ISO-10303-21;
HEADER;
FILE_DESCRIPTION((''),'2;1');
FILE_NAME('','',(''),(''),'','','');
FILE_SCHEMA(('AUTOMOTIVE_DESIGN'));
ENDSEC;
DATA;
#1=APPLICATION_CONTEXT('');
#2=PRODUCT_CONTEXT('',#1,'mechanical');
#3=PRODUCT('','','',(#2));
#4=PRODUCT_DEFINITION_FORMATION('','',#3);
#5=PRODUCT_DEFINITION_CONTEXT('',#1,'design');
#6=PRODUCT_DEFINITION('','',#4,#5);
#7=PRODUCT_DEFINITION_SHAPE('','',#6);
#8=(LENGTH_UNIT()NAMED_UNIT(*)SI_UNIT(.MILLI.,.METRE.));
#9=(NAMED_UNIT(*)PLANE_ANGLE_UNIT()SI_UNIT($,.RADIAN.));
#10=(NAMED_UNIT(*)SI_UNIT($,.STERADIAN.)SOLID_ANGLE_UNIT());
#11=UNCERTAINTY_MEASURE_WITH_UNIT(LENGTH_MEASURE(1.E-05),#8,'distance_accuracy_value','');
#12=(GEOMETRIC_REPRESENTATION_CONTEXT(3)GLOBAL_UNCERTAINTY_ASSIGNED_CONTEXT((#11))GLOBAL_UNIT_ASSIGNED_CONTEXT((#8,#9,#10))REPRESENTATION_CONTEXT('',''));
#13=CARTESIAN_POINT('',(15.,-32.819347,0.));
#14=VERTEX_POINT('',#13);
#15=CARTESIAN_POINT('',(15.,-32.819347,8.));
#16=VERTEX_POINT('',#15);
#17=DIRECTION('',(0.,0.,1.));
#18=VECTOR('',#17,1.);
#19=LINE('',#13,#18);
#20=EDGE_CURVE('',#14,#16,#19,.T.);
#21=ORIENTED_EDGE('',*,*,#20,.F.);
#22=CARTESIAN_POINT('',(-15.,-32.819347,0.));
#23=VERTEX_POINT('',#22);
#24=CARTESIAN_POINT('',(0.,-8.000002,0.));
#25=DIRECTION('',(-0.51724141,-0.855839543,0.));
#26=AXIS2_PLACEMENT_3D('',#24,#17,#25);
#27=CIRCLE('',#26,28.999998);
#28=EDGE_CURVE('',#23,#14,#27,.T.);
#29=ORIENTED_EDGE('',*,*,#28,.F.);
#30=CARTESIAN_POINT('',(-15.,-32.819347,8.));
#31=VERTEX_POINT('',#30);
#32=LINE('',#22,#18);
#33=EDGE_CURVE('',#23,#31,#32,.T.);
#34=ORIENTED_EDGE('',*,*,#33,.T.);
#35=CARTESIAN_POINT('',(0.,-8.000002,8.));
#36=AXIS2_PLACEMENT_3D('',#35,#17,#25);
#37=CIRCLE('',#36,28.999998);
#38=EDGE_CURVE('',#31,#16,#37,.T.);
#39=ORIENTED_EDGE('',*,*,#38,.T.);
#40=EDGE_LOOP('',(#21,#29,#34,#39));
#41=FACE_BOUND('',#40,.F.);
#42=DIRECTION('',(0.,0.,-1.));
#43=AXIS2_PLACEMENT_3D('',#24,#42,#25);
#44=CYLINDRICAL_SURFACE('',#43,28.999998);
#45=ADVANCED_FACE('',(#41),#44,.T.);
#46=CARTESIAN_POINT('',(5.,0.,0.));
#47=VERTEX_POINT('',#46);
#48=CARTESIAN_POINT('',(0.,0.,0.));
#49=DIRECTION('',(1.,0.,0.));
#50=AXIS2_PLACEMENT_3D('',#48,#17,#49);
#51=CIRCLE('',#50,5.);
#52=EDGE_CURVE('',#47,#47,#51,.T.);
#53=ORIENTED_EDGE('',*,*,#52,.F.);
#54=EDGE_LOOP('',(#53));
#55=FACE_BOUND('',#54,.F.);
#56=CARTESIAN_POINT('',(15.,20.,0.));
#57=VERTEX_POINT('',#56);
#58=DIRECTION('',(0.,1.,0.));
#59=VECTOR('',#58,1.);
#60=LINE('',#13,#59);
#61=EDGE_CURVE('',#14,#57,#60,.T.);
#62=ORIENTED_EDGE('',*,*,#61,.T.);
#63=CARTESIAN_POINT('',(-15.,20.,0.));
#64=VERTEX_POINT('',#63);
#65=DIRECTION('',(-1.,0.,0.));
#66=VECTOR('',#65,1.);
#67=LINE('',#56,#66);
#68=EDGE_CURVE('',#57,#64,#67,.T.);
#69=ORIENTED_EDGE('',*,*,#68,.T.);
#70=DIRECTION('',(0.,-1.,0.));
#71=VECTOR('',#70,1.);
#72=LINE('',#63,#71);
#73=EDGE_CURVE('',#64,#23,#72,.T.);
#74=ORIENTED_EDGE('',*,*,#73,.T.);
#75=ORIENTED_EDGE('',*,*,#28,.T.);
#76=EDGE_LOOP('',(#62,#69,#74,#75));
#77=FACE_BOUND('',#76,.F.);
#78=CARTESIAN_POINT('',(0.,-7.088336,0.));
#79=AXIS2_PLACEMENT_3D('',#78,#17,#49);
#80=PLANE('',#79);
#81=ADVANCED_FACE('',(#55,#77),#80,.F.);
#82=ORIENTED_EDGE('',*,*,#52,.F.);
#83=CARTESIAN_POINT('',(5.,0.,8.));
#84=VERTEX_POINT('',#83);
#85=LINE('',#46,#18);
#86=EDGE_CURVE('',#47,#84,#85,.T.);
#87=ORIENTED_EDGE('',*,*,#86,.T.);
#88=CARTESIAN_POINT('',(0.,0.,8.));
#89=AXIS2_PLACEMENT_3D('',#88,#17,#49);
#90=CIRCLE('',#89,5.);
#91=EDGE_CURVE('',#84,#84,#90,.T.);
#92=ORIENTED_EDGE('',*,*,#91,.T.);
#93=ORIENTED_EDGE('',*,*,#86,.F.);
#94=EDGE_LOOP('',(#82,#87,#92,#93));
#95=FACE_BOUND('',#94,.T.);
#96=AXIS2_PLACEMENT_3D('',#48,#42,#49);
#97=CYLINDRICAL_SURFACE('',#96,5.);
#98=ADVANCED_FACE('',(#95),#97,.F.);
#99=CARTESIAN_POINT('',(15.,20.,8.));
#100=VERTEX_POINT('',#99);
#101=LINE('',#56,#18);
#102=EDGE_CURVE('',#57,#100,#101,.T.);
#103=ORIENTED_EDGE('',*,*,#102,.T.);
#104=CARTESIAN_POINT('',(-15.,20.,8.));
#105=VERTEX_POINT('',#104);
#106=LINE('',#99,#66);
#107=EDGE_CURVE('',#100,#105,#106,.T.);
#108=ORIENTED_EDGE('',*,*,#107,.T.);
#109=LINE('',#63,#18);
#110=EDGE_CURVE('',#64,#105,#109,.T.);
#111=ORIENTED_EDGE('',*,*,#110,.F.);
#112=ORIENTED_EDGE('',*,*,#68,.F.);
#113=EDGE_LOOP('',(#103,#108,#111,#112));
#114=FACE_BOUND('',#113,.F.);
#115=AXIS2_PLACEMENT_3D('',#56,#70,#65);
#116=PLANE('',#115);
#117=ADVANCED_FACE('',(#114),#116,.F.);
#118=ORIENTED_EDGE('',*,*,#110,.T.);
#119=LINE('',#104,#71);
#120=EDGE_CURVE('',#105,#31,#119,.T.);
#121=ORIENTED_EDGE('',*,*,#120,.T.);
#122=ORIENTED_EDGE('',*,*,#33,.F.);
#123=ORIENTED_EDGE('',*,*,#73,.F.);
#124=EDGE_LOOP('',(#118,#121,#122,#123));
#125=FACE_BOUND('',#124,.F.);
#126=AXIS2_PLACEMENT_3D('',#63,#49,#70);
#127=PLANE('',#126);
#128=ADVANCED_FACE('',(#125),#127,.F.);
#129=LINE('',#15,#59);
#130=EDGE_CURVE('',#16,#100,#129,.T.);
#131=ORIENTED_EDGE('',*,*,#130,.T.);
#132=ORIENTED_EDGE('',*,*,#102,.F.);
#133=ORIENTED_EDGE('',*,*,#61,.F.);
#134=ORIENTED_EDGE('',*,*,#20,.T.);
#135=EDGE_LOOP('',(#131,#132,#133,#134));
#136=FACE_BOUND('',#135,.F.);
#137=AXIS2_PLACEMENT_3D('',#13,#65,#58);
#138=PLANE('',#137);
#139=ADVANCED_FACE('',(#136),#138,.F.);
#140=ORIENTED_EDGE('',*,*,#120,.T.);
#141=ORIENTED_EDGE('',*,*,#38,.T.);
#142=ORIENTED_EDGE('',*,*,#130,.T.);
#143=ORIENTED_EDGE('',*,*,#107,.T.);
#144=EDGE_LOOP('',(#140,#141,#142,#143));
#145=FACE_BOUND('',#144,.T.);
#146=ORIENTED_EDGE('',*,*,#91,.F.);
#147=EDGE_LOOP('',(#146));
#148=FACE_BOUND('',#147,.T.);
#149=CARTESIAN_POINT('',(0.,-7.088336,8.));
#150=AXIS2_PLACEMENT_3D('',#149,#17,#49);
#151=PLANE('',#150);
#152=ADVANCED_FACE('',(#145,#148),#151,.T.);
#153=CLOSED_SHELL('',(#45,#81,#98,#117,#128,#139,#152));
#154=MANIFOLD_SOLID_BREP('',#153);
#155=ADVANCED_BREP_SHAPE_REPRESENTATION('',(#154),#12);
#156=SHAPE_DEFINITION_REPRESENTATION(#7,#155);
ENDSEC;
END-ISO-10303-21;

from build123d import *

# Parameters (mm, degrees)
F0_R     = 5
F1_DEPTH = 8


with BuildPart() as f1:
    # F0 (on Top) → F1 (new body)
    with BuildSketch(Plane.XY):
        with BuildLine():
            Line((15, 20), (-15, 20))
            Line((-15, 20), (-15, -32.819347))
            ThreePointArc((-15, -32.819347), (0, -37), (15, -32.819347))
            Line((15, -32.819347), (15, 20))
        make_face()
        Circle(F0_R, mode=Mode.SUBTRACT)
    extrude(amount=F1_DEPTH)


solid = f1.part
